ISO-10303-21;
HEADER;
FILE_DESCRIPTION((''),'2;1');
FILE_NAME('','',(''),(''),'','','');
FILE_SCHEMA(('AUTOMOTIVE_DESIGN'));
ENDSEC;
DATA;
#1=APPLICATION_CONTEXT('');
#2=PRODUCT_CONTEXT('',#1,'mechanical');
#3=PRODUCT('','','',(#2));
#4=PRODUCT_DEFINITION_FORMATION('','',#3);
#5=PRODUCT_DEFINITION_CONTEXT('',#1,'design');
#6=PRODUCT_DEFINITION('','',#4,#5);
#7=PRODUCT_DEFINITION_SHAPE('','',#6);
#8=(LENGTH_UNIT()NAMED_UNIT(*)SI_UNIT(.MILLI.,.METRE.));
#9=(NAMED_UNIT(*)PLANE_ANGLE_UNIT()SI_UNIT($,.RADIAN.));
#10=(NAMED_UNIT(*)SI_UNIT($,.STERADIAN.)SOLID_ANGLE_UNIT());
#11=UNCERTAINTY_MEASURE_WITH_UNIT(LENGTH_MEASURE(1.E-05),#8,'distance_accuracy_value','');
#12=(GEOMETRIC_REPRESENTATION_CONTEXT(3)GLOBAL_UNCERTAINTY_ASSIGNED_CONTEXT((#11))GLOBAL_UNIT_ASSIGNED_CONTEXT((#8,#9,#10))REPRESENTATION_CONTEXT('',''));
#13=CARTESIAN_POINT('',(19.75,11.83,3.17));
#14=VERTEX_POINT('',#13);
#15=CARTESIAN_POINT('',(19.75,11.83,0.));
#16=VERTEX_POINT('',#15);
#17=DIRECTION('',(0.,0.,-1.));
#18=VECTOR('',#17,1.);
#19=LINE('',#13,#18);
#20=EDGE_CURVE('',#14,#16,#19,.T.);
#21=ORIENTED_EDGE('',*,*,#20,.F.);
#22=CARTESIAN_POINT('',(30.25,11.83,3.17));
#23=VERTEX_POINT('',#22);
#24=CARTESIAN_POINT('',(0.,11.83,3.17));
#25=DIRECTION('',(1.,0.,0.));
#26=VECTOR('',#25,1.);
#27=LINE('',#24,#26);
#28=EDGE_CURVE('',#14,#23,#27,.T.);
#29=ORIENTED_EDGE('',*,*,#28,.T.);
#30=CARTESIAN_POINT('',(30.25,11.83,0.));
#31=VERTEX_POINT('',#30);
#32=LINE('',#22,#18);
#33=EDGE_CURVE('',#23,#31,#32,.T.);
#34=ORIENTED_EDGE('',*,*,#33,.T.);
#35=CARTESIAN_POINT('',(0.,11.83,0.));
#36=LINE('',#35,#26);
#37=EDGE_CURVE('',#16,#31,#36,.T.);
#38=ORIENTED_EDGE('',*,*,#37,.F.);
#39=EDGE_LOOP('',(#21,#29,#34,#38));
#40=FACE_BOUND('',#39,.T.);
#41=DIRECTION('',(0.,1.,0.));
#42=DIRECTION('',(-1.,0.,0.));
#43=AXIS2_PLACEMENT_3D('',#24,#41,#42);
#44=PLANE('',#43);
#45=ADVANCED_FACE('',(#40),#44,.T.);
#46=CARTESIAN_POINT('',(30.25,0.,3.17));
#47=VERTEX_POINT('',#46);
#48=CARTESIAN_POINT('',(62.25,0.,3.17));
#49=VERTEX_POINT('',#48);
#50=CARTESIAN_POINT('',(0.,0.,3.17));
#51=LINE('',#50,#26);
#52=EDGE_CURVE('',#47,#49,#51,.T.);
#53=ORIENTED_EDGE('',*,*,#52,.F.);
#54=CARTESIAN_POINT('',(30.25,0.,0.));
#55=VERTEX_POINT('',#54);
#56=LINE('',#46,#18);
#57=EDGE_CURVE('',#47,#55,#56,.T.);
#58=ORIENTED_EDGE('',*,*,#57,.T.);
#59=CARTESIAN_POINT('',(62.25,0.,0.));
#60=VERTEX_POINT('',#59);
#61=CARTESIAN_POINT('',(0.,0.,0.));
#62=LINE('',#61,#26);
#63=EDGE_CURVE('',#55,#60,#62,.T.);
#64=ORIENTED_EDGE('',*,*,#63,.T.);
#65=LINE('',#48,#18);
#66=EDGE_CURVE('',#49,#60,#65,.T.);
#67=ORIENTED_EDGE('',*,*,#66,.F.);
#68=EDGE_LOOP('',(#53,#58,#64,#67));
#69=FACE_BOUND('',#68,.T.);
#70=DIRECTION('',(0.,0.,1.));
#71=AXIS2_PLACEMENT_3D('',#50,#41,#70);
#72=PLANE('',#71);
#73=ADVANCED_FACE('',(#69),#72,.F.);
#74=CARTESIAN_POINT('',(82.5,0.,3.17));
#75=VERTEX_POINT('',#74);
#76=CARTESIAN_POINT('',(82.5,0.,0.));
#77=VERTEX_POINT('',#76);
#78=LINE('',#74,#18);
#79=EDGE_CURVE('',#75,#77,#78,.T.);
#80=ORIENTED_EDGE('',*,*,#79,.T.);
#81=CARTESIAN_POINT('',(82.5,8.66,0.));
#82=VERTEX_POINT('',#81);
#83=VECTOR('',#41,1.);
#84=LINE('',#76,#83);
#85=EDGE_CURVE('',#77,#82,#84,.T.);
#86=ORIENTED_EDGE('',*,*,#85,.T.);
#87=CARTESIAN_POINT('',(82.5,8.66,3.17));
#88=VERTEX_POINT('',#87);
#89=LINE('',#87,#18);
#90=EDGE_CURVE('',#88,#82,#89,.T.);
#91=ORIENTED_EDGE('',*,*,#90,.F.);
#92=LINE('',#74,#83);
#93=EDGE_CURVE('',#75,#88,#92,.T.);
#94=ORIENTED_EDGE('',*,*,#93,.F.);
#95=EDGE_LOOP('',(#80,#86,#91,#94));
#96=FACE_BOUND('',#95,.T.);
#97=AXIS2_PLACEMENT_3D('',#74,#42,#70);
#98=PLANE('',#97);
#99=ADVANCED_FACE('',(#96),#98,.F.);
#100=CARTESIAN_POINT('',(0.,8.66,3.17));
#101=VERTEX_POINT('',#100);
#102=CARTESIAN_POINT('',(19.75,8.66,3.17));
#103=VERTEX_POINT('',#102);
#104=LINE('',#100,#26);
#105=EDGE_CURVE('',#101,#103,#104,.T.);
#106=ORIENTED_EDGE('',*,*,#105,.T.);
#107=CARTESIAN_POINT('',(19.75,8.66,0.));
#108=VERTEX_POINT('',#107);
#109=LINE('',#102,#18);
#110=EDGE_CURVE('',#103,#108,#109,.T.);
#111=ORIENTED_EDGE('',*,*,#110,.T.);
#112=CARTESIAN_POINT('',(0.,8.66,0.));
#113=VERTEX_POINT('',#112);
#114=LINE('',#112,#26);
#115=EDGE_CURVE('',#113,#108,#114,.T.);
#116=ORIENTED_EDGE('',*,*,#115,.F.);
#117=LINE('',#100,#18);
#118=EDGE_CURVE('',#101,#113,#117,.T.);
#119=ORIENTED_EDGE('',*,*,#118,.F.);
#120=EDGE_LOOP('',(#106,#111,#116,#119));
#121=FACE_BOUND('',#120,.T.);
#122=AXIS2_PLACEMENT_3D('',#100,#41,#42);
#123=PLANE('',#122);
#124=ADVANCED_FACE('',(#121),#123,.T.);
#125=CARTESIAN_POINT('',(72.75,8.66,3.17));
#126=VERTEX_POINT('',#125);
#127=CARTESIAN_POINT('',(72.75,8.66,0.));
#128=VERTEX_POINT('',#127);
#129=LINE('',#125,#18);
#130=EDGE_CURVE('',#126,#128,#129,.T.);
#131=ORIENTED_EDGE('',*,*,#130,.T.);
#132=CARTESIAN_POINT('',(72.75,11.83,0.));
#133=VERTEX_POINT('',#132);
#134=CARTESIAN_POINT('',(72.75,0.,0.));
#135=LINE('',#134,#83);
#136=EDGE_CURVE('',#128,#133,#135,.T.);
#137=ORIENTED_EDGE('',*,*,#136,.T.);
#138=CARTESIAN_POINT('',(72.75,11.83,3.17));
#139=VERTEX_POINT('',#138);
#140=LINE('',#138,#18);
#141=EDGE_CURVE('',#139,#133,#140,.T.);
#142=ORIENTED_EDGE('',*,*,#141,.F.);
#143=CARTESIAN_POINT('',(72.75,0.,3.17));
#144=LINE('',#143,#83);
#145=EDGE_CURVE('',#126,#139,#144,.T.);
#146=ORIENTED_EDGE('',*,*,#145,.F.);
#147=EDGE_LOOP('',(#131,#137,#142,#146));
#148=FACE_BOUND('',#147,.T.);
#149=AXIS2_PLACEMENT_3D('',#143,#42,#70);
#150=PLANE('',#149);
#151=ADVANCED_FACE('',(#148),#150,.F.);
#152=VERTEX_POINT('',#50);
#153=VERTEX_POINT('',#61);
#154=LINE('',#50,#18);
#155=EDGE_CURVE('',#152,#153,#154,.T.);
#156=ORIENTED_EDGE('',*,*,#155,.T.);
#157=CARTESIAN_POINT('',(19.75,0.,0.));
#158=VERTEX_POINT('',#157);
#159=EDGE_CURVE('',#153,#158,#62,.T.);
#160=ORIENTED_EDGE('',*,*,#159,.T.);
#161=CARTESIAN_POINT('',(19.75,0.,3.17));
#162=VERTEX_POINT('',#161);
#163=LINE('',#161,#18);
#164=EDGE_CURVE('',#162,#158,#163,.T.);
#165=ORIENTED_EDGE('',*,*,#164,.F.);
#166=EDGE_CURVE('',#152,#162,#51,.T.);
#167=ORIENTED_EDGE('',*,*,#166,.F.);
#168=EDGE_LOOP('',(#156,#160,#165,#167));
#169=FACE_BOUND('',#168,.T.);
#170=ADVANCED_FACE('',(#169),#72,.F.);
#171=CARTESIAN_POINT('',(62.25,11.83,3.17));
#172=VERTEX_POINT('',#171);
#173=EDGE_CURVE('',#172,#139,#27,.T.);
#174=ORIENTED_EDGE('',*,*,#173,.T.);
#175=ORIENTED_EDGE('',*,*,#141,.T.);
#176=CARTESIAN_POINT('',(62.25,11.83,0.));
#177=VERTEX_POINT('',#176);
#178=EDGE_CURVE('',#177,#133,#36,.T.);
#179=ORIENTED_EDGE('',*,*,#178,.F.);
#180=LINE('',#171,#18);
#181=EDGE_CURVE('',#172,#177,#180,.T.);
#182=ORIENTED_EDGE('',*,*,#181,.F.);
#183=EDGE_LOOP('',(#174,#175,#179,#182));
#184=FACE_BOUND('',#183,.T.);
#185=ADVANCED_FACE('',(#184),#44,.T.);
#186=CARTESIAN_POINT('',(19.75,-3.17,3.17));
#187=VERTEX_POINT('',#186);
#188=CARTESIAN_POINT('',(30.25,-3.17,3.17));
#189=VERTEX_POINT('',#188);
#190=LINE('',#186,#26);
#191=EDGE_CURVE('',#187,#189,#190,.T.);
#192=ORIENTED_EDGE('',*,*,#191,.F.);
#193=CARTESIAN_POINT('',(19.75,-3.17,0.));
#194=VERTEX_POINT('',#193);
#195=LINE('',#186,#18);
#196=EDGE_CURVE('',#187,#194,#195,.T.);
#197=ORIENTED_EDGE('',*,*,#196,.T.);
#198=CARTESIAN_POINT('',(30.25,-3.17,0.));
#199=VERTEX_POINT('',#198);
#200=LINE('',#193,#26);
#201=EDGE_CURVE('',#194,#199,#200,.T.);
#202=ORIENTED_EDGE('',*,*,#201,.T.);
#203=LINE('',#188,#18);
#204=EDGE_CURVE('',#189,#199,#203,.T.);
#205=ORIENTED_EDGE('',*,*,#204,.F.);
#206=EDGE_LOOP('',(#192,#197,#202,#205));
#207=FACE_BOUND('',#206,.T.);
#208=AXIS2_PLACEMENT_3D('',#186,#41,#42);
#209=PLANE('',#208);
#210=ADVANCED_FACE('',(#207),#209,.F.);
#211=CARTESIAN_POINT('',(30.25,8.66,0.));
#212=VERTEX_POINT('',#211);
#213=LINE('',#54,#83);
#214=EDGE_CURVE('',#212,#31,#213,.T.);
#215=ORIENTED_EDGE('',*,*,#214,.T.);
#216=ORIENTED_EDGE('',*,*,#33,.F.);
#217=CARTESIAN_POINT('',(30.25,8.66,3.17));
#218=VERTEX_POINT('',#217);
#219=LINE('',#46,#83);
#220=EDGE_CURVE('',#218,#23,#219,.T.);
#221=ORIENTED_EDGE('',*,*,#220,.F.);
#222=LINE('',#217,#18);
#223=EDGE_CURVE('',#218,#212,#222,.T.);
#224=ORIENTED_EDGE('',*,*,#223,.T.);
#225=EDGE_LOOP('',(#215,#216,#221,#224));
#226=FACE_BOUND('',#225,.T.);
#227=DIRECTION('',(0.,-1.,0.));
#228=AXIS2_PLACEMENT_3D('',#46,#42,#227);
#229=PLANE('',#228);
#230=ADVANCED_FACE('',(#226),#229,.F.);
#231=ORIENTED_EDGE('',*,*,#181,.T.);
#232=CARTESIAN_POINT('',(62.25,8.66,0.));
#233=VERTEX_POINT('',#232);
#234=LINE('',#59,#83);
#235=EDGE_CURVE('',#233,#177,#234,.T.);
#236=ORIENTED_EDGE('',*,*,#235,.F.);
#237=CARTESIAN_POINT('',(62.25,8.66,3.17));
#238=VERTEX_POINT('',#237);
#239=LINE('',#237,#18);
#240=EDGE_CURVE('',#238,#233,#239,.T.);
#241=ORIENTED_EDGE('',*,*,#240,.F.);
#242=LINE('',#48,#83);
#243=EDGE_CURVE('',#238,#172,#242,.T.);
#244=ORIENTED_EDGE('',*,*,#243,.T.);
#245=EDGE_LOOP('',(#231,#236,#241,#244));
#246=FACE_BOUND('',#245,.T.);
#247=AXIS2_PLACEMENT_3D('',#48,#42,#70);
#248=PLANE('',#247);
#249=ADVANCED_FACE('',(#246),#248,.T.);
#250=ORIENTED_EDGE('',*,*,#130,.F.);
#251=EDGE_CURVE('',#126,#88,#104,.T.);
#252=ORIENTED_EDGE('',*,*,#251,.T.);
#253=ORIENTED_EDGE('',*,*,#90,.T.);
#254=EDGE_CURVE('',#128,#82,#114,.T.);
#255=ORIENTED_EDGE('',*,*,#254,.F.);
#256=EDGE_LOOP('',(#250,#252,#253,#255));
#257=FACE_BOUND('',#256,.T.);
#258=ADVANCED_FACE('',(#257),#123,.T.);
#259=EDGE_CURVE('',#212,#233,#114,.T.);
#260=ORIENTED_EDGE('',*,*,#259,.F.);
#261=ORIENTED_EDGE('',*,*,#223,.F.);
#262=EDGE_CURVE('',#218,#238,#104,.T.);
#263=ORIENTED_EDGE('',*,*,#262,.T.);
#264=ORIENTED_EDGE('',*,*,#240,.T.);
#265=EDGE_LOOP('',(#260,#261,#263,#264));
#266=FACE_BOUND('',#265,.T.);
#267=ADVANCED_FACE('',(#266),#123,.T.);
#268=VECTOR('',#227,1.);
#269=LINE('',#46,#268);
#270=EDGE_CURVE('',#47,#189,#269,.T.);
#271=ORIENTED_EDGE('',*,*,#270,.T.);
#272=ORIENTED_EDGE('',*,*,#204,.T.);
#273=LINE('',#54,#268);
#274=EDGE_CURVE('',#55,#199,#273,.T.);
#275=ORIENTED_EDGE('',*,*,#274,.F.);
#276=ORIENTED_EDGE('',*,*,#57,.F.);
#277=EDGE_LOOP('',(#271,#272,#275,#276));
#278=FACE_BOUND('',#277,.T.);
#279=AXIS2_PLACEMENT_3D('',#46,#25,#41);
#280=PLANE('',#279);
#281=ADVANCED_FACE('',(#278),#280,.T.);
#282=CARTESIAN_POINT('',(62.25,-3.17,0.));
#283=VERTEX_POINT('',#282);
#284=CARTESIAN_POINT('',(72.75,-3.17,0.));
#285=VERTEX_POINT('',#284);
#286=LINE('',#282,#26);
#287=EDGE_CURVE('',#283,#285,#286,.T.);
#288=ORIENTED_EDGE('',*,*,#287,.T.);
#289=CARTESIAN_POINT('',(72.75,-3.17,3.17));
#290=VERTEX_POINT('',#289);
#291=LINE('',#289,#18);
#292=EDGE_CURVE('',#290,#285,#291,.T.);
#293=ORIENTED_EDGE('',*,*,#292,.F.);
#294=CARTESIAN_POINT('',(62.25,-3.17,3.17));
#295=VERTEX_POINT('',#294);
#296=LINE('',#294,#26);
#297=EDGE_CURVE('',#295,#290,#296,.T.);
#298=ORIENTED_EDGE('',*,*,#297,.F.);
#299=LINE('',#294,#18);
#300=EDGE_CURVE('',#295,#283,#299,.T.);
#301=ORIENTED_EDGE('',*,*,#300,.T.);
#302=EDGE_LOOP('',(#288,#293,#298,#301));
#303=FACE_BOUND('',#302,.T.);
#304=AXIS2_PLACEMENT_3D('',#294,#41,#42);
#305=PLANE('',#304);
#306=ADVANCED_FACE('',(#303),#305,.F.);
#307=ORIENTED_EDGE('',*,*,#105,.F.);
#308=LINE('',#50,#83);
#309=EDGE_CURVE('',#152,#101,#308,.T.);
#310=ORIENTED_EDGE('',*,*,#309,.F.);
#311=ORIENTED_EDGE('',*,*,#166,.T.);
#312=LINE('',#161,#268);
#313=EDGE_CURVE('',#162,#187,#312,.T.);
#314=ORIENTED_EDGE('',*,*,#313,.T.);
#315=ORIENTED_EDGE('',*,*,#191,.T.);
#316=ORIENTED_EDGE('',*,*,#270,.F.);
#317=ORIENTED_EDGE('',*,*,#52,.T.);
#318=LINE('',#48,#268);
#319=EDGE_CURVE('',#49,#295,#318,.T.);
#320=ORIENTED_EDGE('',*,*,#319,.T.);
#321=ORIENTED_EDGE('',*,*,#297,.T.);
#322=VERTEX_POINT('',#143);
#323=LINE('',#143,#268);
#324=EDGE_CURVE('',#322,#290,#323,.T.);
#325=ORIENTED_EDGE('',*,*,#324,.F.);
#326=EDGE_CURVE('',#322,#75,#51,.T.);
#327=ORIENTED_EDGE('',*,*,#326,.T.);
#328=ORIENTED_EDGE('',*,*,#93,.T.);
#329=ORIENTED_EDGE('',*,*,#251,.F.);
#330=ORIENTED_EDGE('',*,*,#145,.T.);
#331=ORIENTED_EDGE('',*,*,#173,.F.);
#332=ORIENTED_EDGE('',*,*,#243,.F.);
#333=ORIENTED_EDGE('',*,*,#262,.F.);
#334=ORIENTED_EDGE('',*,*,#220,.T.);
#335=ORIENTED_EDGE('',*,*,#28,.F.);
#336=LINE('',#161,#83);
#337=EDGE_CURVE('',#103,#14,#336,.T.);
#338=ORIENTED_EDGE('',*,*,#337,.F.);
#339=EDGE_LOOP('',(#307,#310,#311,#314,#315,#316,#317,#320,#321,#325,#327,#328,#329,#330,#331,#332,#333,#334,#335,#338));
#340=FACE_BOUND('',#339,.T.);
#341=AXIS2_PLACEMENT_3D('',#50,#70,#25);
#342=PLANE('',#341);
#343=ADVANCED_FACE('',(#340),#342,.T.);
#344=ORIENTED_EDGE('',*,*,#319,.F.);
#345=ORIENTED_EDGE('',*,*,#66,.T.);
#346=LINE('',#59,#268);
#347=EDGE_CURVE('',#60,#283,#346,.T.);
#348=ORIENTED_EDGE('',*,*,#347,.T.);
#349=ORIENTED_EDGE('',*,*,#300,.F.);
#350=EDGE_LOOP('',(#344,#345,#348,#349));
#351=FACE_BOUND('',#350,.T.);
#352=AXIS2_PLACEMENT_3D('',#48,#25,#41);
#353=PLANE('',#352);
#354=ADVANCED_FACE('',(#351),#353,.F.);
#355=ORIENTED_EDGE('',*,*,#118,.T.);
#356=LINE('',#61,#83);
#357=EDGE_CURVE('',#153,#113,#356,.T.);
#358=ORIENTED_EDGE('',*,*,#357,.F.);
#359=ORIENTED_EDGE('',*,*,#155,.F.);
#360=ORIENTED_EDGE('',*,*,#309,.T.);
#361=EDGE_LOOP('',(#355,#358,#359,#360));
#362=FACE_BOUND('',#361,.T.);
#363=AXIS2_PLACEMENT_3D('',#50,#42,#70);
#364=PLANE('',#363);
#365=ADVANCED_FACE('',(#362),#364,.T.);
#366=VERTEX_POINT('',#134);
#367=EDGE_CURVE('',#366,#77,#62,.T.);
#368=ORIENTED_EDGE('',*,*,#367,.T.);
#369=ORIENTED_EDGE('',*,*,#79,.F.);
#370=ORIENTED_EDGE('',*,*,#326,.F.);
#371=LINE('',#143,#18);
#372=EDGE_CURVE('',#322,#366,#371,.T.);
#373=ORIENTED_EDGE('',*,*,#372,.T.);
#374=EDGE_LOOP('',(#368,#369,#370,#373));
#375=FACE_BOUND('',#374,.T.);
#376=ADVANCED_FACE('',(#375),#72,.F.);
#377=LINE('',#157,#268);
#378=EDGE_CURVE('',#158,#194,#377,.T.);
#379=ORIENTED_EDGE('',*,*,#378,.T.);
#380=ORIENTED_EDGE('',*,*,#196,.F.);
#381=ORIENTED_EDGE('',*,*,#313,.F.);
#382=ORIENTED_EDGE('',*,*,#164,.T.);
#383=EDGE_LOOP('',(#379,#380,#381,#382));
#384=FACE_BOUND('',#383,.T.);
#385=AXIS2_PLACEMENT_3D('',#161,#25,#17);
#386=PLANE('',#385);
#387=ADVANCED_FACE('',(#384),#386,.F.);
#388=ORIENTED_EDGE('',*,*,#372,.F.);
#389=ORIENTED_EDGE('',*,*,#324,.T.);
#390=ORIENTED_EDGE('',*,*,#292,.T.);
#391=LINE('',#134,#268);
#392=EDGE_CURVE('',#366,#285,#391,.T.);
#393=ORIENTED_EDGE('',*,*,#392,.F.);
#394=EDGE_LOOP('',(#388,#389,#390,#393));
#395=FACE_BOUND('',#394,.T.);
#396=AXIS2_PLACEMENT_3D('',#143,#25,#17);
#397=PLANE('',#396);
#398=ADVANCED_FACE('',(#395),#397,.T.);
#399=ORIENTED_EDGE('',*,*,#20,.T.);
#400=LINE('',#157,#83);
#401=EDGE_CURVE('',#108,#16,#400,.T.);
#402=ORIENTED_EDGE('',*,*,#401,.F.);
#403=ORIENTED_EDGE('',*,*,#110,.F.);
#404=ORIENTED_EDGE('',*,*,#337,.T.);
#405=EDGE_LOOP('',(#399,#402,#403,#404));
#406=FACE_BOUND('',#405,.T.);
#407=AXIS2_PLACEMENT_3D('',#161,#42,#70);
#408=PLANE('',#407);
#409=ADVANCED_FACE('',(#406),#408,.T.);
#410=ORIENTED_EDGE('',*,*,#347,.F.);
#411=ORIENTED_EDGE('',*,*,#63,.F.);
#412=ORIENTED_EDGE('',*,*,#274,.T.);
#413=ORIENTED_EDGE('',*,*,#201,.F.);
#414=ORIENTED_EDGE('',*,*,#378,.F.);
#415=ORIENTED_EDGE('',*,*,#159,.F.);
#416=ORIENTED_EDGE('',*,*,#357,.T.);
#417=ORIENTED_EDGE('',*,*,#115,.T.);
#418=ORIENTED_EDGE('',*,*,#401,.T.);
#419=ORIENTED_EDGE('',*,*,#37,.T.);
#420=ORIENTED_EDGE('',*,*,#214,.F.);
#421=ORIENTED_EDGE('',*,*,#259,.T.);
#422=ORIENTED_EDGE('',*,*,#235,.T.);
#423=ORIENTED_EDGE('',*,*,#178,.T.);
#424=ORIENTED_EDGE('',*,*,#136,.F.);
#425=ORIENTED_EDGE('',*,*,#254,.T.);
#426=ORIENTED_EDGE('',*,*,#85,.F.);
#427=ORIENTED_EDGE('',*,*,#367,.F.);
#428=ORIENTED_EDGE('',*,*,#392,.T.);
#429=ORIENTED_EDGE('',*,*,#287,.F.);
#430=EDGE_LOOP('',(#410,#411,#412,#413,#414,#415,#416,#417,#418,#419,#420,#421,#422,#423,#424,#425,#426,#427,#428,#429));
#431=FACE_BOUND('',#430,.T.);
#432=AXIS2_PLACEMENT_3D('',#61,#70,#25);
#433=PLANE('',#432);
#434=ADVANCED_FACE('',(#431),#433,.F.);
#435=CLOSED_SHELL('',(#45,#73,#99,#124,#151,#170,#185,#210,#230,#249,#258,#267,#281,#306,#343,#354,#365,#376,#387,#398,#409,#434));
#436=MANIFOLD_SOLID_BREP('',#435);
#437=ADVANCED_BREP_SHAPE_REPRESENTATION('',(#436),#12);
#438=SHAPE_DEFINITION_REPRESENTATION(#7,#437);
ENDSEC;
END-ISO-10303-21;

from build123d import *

# Parameters (mm, degrees)
SKETCH1_W           = 82.5
SKETCH1_H           = 8.66
SKETCH1_W_2         = 10.5
SKETCH1_H_2         = 3.17
BOSS_EXTRUDE1_DEPTH = 3.17


with BuildPart() as part:
    # Sketch1 → Boss-Extrude1 (new body)
    with BuildSketch(Plane.XY):
        with Locations((41.25, 4.33)):
            Rectangle(SKETCH1_W, SKETCH1_H)
        with Locations((25, 10.245)):
            Rectangle(SKETCH1_W_2, SKETCH1_H_2)
        with Locations((67.5, 10.245)):
            Rectangle(SKETCH1_W_2, SKETCH1_H_2)
        with Locations((25, -1.585)):
            Rectangle(SKETCH1_W_2, SKETCH1_H_2)
        with Locations((67.5, -1.585)):
            Rectangle(SKETCH1_W_2, SKETCH1_H_2)
    extrude(amount=BOSS_EXTRUDE1_DEPTH)


solid = part.part
